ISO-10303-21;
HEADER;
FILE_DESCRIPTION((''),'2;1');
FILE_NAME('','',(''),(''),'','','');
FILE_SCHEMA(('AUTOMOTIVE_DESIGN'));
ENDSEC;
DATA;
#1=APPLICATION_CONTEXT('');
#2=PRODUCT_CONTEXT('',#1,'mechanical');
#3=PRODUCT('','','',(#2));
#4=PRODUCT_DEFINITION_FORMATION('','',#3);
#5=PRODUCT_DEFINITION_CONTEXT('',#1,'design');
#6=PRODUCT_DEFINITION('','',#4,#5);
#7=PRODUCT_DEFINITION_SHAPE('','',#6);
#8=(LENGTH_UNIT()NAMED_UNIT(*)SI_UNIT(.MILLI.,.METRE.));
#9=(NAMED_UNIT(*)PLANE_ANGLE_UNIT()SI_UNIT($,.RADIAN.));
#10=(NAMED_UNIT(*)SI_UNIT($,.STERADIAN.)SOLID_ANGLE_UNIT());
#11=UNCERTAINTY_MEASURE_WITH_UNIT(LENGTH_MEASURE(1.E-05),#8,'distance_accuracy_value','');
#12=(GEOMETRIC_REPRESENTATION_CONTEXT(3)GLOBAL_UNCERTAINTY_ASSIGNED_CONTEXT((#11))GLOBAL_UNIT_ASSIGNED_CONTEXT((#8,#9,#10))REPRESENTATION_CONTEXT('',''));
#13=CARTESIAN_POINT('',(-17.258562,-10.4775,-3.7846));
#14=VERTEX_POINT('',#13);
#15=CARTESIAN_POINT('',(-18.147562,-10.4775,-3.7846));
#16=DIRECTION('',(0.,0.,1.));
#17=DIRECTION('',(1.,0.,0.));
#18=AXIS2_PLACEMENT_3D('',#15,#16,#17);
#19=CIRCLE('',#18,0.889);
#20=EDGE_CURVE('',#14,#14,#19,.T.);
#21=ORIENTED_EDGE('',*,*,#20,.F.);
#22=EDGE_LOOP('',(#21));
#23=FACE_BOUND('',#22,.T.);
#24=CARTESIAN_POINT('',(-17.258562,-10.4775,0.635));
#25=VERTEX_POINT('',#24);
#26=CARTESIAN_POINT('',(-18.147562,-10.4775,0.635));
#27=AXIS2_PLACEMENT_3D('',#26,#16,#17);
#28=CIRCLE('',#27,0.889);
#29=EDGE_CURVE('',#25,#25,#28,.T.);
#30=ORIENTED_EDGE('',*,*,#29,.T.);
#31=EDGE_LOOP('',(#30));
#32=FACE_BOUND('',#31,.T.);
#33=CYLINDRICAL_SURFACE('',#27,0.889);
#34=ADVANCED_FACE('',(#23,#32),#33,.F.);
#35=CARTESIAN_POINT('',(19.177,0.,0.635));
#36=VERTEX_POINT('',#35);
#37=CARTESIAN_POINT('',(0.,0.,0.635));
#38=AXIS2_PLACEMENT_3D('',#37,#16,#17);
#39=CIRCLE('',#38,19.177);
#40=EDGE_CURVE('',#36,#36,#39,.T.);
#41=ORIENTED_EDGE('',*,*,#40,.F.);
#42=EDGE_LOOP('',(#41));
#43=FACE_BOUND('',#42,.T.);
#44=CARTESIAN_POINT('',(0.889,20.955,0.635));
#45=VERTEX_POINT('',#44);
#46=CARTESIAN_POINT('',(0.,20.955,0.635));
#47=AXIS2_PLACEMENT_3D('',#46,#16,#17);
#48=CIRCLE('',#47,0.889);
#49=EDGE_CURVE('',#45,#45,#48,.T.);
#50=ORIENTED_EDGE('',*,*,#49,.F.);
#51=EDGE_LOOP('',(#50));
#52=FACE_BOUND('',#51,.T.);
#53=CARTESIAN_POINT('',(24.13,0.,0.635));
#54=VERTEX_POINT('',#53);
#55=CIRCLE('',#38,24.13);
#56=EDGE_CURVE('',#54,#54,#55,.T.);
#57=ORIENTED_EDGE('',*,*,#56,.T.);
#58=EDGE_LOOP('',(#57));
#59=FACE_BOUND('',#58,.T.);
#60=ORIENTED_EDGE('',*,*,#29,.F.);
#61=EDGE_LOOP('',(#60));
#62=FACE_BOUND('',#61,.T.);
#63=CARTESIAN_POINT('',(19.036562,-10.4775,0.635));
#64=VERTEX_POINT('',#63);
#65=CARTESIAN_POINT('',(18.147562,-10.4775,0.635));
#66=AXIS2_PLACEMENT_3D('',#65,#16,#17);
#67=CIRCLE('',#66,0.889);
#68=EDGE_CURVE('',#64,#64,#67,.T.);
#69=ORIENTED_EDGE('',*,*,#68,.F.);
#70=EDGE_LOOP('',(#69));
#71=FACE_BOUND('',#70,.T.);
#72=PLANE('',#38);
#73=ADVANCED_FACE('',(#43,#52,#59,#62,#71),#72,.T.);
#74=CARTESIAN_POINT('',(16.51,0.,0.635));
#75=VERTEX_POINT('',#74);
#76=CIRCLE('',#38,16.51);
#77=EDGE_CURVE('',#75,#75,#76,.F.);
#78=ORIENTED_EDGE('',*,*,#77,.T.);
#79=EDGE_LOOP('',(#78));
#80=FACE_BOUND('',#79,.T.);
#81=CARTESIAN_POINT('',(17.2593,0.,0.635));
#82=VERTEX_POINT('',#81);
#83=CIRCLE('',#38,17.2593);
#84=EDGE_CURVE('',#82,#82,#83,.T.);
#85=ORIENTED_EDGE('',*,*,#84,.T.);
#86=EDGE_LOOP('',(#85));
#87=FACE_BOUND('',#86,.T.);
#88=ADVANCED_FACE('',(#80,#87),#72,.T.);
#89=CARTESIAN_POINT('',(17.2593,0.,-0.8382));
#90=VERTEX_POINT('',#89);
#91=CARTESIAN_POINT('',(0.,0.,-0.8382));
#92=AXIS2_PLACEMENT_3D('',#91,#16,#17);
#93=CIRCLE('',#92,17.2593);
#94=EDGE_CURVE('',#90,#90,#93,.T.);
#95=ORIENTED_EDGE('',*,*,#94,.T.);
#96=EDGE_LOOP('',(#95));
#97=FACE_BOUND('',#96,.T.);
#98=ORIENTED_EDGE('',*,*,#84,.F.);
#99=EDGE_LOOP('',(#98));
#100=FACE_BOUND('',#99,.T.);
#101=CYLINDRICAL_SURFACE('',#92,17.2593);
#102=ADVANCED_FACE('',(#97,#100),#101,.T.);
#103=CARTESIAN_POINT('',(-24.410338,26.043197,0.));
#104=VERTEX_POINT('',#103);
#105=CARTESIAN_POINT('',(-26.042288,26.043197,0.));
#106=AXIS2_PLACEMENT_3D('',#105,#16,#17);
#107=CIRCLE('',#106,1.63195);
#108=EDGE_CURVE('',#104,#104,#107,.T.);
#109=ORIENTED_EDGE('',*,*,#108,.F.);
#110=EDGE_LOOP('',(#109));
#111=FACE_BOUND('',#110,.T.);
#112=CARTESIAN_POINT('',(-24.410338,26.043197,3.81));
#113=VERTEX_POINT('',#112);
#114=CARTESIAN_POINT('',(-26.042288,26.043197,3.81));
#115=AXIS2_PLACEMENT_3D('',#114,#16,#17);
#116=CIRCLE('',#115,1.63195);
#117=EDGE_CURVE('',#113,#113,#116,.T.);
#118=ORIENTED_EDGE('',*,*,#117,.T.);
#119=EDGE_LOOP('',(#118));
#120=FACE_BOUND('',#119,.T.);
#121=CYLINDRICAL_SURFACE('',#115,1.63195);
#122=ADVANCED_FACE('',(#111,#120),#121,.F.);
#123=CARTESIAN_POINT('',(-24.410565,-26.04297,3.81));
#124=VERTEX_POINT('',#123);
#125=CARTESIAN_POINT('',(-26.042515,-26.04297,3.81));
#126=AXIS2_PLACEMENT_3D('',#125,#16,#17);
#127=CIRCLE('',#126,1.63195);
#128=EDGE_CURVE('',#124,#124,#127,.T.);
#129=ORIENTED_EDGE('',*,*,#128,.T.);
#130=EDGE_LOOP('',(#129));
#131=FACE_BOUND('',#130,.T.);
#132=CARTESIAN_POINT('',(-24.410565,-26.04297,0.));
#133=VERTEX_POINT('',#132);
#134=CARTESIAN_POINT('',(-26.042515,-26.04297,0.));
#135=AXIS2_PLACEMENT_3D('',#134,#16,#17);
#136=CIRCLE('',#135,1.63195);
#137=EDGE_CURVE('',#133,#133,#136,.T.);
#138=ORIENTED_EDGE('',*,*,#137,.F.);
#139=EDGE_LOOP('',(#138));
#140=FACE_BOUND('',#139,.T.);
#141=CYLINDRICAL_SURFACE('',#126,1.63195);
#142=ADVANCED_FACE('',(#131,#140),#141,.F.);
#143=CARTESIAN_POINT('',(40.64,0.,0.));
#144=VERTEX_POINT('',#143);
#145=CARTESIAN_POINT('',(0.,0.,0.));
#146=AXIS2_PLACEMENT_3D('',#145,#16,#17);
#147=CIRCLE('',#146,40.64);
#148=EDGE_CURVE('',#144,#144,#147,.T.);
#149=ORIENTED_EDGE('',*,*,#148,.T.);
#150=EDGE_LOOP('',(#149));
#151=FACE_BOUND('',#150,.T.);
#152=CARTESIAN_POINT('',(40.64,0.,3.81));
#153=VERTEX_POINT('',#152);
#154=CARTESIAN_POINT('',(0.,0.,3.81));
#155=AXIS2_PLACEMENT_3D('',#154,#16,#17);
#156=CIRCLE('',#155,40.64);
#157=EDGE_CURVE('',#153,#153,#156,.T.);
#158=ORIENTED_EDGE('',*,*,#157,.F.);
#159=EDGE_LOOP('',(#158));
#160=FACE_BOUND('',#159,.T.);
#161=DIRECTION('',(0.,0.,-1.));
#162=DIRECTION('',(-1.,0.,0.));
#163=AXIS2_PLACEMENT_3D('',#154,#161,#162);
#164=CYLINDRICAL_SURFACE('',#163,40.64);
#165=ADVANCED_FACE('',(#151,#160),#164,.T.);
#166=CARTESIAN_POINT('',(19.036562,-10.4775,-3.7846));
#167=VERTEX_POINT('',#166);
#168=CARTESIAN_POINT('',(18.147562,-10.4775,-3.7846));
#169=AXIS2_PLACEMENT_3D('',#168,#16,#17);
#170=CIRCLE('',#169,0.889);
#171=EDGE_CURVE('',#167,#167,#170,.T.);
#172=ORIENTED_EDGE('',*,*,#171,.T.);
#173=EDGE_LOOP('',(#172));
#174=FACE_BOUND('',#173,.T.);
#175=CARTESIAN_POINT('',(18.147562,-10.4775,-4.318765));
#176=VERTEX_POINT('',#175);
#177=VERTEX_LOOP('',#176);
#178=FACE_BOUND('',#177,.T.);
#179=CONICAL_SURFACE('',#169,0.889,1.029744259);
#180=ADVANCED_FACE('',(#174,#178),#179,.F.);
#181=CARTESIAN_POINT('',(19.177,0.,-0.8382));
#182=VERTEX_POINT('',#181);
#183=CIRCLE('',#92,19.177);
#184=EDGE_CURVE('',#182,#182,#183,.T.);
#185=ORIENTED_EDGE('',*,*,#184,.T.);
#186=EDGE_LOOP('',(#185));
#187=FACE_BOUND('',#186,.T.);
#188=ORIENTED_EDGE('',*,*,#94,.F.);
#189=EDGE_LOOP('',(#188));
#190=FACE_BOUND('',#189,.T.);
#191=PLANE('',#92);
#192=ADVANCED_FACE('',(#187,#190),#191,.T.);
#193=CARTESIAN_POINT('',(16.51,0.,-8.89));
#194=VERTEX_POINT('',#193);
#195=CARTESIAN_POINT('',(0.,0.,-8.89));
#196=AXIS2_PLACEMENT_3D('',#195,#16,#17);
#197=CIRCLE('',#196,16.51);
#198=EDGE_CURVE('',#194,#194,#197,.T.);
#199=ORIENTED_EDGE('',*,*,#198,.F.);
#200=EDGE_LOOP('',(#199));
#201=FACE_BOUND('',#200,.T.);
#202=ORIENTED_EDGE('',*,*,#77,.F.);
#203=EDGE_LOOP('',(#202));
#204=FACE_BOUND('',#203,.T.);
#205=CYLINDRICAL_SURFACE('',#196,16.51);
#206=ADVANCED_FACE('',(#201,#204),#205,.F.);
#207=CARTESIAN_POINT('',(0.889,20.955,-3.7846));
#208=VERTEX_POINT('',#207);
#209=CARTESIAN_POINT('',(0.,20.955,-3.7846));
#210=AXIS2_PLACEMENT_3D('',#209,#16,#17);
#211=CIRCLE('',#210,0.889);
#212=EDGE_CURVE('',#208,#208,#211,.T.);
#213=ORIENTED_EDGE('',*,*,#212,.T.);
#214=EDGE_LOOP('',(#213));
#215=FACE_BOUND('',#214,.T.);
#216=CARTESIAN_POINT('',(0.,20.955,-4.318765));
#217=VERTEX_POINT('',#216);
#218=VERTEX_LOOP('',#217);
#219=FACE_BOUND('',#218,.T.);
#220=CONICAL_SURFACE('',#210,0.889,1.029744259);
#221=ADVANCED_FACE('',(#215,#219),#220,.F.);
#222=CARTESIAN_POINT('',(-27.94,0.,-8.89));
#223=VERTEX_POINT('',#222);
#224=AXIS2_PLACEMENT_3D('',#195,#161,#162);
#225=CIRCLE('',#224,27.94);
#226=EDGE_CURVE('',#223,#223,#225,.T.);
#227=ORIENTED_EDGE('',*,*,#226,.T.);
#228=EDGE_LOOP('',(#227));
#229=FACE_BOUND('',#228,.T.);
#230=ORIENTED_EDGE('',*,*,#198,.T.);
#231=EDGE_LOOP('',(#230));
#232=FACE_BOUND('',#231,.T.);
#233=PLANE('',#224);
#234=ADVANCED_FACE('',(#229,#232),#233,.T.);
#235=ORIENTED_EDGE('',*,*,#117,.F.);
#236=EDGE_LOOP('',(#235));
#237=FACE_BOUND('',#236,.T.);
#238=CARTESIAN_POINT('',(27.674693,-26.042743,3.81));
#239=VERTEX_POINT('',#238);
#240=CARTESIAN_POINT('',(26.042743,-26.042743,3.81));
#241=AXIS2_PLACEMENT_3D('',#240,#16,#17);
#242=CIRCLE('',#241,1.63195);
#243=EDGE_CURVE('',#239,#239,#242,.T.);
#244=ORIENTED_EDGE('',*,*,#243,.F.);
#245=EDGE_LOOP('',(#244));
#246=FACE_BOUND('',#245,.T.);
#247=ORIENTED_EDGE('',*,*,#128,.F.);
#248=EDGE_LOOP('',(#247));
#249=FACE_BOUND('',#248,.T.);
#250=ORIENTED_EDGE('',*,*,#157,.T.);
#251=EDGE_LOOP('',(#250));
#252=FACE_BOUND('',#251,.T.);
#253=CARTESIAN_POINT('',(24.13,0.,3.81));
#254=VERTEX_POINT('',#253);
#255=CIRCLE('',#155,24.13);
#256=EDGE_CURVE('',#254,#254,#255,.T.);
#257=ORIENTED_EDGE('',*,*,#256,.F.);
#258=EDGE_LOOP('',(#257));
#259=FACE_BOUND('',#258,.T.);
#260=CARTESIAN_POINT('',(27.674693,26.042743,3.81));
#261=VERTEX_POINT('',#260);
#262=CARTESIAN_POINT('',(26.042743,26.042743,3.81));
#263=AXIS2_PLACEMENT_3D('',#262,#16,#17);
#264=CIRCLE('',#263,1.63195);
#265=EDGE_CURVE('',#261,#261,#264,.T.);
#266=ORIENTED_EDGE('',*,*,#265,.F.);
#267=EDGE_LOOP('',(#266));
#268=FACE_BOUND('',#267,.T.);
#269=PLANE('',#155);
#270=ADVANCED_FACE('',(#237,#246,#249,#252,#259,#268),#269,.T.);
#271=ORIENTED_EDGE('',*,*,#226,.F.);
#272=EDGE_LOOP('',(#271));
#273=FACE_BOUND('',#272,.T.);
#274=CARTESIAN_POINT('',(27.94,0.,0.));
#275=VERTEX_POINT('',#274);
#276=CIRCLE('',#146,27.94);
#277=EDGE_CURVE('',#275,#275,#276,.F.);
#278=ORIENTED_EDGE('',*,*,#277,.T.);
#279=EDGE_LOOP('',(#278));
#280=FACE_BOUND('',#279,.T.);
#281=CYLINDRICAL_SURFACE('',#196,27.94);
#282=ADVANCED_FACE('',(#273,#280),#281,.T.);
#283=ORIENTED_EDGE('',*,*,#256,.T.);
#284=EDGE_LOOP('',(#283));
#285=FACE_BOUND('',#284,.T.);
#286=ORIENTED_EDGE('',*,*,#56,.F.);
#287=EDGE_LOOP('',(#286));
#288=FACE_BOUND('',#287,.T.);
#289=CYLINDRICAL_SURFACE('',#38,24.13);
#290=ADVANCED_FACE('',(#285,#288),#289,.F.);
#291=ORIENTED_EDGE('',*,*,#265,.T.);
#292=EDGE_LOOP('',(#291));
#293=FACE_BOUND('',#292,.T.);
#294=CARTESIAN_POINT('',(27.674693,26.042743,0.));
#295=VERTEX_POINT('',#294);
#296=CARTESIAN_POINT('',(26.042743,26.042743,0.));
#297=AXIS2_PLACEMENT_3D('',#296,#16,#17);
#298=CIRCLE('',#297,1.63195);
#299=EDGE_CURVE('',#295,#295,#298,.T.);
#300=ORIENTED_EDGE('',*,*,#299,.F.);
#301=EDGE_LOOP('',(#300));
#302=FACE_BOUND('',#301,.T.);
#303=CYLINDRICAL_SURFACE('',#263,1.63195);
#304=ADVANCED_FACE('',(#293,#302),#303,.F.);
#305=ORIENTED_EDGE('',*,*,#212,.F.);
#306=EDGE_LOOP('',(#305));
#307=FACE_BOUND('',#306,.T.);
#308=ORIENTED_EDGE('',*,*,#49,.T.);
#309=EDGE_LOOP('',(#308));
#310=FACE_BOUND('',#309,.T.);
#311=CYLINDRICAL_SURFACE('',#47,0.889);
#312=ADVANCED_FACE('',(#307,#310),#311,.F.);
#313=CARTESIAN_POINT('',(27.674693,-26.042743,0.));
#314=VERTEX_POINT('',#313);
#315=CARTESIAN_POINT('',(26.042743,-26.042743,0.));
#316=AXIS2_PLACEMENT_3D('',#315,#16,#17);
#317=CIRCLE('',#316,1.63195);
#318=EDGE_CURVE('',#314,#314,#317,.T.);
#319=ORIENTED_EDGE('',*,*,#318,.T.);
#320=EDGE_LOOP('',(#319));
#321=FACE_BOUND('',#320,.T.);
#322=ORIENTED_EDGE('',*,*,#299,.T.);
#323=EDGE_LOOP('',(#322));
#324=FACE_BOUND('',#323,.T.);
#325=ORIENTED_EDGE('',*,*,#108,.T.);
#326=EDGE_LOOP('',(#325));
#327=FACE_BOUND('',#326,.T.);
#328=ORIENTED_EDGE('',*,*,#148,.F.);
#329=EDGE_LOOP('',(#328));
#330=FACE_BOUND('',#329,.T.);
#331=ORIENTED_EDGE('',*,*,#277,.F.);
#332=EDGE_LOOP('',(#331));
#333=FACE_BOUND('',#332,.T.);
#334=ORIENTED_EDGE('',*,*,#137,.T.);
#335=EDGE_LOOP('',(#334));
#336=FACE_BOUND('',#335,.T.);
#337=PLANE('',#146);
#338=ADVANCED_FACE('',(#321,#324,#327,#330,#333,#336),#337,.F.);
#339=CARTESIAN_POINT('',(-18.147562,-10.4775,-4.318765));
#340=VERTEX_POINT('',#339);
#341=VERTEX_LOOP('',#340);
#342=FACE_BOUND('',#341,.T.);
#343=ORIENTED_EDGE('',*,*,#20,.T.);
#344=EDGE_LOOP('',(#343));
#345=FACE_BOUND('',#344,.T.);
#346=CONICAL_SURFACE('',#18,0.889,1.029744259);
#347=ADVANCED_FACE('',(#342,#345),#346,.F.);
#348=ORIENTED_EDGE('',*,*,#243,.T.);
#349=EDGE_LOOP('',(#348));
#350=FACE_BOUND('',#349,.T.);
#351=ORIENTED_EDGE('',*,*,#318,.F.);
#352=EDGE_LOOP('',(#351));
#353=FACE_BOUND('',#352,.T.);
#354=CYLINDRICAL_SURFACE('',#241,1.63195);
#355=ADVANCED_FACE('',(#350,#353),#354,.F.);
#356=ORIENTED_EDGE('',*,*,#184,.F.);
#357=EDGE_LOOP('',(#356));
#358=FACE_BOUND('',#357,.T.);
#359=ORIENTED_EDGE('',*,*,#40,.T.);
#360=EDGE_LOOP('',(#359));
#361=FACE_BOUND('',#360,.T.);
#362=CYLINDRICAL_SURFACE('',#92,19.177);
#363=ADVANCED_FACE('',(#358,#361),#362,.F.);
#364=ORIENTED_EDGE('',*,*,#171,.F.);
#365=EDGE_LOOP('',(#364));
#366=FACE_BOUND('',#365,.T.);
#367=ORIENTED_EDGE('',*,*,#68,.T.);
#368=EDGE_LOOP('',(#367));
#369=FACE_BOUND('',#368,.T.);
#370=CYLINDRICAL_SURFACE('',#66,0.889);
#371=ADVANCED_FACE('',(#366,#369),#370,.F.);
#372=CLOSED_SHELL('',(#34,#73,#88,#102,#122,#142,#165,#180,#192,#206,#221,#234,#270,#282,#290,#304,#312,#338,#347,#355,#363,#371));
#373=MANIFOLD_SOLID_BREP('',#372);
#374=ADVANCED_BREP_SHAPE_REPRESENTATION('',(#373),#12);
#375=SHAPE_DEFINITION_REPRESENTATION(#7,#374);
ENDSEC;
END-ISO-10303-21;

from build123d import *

# Parameters (mm, degrees)
SKETCH1_R             = 40.64
EXTRUDE1_DEPTH        = 3.81
F_4_CLEARANCE_HOLE1_D = 3.2639
SKETCH6_R             = 27.94
EXTRUDE2_DEPTH        = 8.89
SKETCH5_R             = 16.51
CUT_EXTRUDE2_DEPTH    = 13.7
SKETCH14_R            = 24.13
CUT_EXTRUDE3_DEPTH    = 3.175
CIRPATTERN1_COUNT     = 3
SKETCH13_R            = 19.177
SKETCH13_R_2          = 17.2593
CUT_EXTRUDE4_DEPTH    = 1.4732


with BuildPart() as part:
    # Sketch1 → Extrude1 (new body)
    with BuildSketch(Plane.XY):
        Circle(SKETCH1_R)
    extrude(amount=EXTRUDE1_DEPTH)

    # #4 Clearance Hole1 (through all)
    with Locations(Plane.XY.offset(3.81)):
        with Locations((26.042742751, 26.042742751), (26.042742751, -26.042742751), (-26.042288216, 26.043197279), (-26.04251548, -26.04297002)):
            Hole(F_4_CLEARANCE_HOLE1_D / 2)

    # Sketch6 → Extrude2 (add)
    with BuildSketch(Plane(origin=(0, 0, 0), x_dir=(-1, 0, 0), z_dir=(0, 0, -1))):
        Circle(SKETCH6_R)
    extrude(amount=EXTRUDE2_DEPTH)

    # Sketch5 → Cut-Extrude2 (cut, through all)
    with BuildSketch(Plane.XY.offset(3.81)):
        Circle(SKETCH5_R)
    extrude(amount=-CUT_EXTRUDE2_DEPTH, mode=Mode.SUBTRACT)

    # Sketch14 → Cut-Extrude3 (cut)
    with BuildSketch(Plane.XY.offset(3.81)):
        Circle(SKETCH14_R)
    extrude(amount=-CUT_EXTRUDE3_DEPTH, mode=Mode.SUBTRACT)

    # Sketch16 → #2-56 Tapped Hole1 (revolve, cut)
    with BuildSketch(Plane(origin=(0, 20.955, 0.635), x_dir=(0, -1, 0), z_dir=(1, 0, 0))):
        Polygon((0, 0), (0, 4.95376509), (0.889, 4.4196), (0.889, 0), align=None)
    f_2_56_tapped_hole1 = revolve(axis=Axis((0, 20.955, 6.985), (0, 0, -1)), mode=Mode.SUBTRACT)

    # CirPattern1: #2-56 Tapped Hole1 ×3 about axis
    cirpattern1_axis = Axis((0, 0, 0), (0, 0, 1))
    for i in range(1, CIRPATTERN1_COUNT):
        add(f_2_56_tapped_hole1.rotate(cirpattern1_axis, i * 360 / CIRPATTERN1_COUNT), mode=Mode.SUBTRACT)

    # Sketch13 → Cut-Extrude4 (cut)
    with BuildSketch(Plane.XY.offset(0.635)):
        Circle(SKETCH13_R)
        Circle(SKETCH13_R_2, mode=Mode.SUBTRACT)
    extrude(amount=-CUT_EXTRUDE4_DEPTH, mode=Mode.SUBTRACT)


solid = part.part
